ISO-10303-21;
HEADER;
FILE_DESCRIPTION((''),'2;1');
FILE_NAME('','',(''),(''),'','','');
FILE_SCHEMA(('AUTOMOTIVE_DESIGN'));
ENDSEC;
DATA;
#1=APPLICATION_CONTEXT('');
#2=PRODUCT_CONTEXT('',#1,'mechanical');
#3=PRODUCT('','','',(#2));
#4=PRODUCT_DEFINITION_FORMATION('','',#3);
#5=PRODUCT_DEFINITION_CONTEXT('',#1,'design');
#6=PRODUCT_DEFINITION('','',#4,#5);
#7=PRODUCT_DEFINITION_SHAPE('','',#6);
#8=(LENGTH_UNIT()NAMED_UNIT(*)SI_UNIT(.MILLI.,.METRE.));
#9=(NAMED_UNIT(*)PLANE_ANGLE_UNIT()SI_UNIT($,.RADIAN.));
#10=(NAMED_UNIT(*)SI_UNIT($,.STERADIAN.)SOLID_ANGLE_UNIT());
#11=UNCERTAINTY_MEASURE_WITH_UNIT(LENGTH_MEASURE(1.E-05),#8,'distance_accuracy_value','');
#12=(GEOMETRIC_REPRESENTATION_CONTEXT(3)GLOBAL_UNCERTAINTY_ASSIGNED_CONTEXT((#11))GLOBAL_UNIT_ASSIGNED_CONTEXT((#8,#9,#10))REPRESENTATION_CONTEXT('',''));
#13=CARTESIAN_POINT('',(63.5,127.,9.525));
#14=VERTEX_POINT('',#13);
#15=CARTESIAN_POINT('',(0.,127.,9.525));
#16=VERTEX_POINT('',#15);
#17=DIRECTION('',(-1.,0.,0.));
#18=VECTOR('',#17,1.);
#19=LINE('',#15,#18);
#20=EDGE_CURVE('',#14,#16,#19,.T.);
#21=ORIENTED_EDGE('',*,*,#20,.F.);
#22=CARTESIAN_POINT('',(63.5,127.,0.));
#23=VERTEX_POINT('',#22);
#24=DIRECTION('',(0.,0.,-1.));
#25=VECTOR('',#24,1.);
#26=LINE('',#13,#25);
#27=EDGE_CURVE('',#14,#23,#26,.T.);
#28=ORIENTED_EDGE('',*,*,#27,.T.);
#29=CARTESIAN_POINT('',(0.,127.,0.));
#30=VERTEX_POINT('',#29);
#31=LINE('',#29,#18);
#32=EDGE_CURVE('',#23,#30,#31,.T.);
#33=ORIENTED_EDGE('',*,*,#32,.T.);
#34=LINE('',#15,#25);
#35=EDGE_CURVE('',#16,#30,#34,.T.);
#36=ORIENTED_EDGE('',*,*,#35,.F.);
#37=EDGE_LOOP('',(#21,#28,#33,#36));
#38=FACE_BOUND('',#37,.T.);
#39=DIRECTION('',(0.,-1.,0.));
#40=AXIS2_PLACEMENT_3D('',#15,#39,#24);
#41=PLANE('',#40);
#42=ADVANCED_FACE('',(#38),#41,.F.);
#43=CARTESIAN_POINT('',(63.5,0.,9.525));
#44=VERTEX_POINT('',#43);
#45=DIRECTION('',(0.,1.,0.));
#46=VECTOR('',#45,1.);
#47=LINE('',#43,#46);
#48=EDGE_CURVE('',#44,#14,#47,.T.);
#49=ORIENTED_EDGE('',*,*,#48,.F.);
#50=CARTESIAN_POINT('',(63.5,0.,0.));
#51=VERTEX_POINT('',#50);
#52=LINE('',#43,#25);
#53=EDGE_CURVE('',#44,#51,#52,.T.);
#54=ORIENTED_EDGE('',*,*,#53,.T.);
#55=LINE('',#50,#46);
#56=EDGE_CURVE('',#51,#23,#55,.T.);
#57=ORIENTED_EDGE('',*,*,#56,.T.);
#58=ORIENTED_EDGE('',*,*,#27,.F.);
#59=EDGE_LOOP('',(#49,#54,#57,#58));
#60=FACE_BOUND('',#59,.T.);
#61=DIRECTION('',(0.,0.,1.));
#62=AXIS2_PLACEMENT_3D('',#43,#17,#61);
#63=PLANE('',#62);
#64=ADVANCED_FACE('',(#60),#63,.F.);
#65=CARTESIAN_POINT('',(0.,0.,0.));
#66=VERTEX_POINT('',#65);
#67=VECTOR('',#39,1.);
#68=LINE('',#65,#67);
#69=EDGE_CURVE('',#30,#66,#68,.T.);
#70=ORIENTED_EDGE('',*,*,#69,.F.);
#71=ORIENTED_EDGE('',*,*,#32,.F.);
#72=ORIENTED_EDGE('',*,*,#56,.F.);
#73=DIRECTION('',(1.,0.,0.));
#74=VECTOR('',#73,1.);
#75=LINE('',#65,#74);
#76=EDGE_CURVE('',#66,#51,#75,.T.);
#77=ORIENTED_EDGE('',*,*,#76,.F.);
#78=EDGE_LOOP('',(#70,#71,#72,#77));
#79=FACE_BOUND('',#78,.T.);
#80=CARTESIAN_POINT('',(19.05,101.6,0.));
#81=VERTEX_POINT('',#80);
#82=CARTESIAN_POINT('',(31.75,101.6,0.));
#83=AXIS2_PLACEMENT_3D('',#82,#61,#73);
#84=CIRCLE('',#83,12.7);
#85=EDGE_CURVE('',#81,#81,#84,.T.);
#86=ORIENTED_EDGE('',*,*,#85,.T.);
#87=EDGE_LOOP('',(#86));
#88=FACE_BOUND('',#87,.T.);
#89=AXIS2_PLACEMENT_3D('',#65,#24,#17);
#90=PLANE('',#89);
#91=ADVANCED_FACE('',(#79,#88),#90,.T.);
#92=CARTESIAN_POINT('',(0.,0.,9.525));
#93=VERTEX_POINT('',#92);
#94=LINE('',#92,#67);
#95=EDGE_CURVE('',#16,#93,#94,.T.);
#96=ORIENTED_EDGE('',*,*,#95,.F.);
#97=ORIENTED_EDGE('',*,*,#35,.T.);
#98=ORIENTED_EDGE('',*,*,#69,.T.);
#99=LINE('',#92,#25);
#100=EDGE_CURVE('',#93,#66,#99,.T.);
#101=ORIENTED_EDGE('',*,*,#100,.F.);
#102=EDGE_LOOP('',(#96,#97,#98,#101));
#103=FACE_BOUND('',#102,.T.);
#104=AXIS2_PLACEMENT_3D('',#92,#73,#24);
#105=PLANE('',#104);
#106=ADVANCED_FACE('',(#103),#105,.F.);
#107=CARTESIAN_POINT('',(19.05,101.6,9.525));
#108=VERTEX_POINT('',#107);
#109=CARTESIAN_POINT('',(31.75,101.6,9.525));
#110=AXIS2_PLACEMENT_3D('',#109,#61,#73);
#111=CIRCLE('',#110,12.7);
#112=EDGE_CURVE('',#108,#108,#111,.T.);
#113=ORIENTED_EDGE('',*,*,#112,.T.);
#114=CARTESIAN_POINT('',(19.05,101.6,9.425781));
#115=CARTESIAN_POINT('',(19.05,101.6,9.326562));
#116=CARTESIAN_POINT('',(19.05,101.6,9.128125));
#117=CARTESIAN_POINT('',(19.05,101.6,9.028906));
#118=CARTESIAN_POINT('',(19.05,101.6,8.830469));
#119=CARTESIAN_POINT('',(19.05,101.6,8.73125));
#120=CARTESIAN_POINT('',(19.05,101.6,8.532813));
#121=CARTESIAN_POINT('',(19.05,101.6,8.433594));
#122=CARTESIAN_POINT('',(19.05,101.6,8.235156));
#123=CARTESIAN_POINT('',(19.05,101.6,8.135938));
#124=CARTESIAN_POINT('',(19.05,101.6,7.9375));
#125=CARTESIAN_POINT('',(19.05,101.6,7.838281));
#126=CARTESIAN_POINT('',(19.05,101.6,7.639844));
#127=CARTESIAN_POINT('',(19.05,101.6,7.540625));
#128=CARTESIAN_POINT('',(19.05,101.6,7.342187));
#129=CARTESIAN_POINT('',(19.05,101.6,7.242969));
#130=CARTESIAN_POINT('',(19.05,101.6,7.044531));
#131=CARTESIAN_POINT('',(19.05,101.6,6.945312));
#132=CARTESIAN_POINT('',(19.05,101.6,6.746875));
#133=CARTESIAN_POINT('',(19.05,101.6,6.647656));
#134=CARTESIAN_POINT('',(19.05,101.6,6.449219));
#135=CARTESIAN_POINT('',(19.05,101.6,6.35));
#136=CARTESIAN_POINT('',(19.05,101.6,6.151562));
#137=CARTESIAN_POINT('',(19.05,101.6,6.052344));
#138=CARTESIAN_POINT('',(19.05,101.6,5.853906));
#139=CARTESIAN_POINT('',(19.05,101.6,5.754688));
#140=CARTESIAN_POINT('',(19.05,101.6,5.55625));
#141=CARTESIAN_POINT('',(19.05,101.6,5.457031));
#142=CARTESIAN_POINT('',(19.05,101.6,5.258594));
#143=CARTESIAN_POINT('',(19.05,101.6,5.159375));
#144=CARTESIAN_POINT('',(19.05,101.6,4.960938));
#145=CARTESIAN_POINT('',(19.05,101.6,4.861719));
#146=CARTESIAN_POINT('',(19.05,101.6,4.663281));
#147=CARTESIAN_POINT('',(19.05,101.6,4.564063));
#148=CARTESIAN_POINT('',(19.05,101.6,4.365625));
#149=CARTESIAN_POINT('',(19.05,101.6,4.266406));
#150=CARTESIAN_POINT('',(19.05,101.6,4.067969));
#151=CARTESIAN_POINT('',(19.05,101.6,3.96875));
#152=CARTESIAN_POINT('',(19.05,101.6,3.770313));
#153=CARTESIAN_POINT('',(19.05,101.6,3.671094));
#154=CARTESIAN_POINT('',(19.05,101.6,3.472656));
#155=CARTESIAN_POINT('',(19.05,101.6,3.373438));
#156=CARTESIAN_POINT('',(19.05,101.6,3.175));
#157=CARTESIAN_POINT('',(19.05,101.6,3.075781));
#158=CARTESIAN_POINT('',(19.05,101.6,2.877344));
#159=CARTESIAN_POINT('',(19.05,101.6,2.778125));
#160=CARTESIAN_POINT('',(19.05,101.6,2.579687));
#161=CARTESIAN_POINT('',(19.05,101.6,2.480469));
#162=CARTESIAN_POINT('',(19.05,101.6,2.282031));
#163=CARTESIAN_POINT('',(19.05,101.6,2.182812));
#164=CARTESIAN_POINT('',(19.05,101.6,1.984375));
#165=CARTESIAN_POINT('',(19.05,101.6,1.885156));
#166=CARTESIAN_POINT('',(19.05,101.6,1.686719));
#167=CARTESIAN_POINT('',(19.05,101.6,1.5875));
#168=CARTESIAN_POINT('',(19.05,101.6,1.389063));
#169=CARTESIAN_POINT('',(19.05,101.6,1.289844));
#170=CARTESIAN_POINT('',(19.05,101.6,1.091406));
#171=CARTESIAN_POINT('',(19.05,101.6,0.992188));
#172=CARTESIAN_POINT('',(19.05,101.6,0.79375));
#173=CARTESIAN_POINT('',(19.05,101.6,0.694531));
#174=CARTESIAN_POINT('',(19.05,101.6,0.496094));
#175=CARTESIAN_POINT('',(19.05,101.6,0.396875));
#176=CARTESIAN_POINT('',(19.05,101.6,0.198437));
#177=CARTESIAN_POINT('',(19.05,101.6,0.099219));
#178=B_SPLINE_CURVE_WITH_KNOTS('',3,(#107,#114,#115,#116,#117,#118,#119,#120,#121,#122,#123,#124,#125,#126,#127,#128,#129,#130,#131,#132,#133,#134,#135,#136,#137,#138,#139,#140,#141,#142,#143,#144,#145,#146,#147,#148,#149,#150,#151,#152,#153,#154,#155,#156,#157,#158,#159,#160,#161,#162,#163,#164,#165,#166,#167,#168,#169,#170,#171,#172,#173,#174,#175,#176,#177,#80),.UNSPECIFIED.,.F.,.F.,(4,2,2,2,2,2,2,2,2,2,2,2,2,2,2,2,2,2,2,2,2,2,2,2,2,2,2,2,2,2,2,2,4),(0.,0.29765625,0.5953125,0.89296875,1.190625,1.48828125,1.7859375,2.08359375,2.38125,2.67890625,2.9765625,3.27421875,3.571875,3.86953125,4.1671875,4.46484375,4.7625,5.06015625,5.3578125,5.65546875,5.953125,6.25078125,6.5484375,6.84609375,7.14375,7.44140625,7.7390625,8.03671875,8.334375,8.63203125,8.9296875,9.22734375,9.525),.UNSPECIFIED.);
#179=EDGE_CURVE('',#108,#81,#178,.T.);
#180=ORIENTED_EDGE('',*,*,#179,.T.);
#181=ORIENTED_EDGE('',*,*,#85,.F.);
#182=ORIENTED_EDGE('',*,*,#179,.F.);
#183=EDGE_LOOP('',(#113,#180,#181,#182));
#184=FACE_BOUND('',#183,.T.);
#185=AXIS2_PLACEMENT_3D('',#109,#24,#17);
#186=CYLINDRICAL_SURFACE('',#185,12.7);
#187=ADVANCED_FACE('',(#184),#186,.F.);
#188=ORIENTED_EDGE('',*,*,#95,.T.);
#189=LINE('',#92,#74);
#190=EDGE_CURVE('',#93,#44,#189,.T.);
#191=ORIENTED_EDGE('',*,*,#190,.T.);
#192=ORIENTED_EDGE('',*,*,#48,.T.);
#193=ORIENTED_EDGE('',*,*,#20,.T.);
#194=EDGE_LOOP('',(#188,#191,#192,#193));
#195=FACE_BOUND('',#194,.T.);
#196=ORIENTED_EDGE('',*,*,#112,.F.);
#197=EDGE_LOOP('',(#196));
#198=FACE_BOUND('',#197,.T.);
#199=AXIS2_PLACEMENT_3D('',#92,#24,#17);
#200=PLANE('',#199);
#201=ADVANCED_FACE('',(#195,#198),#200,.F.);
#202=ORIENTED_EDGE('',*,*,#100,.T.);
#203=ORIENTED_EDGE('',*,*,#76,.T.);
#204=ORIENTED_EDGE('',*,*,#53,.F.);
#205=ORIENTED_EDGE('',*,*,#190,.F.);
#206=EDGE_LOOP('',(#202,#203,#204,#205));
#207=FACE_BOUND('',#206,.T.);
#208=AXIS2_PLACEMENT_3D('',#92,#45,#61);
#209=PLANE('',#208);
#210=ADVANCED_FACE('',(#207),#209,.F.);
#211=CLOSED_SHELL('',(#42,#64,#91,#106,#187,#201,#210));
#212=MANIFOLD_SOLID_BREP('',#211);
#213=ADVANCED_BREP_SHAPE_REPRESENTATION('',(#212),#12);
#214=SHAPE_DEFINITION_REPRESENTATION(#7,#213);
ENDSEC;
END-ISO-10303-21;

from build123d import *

# Parameters (mm, degrees)
SKETCH1_W           = 63.5
SKETCH1_H           = 127
SKETCH1_R           = 12.7
BOSS_EXTRUDE1_DEPTH = 9.525


with BuildPart() as part:
    # Sketch1 → Boss-Extrude1 (new body)
    with BuildSketch(Plane.XY):
        with Locations((31.75, 63.5)):
            Rectangle(SKETCH1_W, SKETCH1_H)
        with Locations(Location((31.75, 101.6, 0), (0, 0, 180))):
            Circle(SKETCH1_R, mode=Mode.SUBTRACT)
    extrude(amount=BOSS_EXTRUDE1_DEPTH)


solid = part.part
